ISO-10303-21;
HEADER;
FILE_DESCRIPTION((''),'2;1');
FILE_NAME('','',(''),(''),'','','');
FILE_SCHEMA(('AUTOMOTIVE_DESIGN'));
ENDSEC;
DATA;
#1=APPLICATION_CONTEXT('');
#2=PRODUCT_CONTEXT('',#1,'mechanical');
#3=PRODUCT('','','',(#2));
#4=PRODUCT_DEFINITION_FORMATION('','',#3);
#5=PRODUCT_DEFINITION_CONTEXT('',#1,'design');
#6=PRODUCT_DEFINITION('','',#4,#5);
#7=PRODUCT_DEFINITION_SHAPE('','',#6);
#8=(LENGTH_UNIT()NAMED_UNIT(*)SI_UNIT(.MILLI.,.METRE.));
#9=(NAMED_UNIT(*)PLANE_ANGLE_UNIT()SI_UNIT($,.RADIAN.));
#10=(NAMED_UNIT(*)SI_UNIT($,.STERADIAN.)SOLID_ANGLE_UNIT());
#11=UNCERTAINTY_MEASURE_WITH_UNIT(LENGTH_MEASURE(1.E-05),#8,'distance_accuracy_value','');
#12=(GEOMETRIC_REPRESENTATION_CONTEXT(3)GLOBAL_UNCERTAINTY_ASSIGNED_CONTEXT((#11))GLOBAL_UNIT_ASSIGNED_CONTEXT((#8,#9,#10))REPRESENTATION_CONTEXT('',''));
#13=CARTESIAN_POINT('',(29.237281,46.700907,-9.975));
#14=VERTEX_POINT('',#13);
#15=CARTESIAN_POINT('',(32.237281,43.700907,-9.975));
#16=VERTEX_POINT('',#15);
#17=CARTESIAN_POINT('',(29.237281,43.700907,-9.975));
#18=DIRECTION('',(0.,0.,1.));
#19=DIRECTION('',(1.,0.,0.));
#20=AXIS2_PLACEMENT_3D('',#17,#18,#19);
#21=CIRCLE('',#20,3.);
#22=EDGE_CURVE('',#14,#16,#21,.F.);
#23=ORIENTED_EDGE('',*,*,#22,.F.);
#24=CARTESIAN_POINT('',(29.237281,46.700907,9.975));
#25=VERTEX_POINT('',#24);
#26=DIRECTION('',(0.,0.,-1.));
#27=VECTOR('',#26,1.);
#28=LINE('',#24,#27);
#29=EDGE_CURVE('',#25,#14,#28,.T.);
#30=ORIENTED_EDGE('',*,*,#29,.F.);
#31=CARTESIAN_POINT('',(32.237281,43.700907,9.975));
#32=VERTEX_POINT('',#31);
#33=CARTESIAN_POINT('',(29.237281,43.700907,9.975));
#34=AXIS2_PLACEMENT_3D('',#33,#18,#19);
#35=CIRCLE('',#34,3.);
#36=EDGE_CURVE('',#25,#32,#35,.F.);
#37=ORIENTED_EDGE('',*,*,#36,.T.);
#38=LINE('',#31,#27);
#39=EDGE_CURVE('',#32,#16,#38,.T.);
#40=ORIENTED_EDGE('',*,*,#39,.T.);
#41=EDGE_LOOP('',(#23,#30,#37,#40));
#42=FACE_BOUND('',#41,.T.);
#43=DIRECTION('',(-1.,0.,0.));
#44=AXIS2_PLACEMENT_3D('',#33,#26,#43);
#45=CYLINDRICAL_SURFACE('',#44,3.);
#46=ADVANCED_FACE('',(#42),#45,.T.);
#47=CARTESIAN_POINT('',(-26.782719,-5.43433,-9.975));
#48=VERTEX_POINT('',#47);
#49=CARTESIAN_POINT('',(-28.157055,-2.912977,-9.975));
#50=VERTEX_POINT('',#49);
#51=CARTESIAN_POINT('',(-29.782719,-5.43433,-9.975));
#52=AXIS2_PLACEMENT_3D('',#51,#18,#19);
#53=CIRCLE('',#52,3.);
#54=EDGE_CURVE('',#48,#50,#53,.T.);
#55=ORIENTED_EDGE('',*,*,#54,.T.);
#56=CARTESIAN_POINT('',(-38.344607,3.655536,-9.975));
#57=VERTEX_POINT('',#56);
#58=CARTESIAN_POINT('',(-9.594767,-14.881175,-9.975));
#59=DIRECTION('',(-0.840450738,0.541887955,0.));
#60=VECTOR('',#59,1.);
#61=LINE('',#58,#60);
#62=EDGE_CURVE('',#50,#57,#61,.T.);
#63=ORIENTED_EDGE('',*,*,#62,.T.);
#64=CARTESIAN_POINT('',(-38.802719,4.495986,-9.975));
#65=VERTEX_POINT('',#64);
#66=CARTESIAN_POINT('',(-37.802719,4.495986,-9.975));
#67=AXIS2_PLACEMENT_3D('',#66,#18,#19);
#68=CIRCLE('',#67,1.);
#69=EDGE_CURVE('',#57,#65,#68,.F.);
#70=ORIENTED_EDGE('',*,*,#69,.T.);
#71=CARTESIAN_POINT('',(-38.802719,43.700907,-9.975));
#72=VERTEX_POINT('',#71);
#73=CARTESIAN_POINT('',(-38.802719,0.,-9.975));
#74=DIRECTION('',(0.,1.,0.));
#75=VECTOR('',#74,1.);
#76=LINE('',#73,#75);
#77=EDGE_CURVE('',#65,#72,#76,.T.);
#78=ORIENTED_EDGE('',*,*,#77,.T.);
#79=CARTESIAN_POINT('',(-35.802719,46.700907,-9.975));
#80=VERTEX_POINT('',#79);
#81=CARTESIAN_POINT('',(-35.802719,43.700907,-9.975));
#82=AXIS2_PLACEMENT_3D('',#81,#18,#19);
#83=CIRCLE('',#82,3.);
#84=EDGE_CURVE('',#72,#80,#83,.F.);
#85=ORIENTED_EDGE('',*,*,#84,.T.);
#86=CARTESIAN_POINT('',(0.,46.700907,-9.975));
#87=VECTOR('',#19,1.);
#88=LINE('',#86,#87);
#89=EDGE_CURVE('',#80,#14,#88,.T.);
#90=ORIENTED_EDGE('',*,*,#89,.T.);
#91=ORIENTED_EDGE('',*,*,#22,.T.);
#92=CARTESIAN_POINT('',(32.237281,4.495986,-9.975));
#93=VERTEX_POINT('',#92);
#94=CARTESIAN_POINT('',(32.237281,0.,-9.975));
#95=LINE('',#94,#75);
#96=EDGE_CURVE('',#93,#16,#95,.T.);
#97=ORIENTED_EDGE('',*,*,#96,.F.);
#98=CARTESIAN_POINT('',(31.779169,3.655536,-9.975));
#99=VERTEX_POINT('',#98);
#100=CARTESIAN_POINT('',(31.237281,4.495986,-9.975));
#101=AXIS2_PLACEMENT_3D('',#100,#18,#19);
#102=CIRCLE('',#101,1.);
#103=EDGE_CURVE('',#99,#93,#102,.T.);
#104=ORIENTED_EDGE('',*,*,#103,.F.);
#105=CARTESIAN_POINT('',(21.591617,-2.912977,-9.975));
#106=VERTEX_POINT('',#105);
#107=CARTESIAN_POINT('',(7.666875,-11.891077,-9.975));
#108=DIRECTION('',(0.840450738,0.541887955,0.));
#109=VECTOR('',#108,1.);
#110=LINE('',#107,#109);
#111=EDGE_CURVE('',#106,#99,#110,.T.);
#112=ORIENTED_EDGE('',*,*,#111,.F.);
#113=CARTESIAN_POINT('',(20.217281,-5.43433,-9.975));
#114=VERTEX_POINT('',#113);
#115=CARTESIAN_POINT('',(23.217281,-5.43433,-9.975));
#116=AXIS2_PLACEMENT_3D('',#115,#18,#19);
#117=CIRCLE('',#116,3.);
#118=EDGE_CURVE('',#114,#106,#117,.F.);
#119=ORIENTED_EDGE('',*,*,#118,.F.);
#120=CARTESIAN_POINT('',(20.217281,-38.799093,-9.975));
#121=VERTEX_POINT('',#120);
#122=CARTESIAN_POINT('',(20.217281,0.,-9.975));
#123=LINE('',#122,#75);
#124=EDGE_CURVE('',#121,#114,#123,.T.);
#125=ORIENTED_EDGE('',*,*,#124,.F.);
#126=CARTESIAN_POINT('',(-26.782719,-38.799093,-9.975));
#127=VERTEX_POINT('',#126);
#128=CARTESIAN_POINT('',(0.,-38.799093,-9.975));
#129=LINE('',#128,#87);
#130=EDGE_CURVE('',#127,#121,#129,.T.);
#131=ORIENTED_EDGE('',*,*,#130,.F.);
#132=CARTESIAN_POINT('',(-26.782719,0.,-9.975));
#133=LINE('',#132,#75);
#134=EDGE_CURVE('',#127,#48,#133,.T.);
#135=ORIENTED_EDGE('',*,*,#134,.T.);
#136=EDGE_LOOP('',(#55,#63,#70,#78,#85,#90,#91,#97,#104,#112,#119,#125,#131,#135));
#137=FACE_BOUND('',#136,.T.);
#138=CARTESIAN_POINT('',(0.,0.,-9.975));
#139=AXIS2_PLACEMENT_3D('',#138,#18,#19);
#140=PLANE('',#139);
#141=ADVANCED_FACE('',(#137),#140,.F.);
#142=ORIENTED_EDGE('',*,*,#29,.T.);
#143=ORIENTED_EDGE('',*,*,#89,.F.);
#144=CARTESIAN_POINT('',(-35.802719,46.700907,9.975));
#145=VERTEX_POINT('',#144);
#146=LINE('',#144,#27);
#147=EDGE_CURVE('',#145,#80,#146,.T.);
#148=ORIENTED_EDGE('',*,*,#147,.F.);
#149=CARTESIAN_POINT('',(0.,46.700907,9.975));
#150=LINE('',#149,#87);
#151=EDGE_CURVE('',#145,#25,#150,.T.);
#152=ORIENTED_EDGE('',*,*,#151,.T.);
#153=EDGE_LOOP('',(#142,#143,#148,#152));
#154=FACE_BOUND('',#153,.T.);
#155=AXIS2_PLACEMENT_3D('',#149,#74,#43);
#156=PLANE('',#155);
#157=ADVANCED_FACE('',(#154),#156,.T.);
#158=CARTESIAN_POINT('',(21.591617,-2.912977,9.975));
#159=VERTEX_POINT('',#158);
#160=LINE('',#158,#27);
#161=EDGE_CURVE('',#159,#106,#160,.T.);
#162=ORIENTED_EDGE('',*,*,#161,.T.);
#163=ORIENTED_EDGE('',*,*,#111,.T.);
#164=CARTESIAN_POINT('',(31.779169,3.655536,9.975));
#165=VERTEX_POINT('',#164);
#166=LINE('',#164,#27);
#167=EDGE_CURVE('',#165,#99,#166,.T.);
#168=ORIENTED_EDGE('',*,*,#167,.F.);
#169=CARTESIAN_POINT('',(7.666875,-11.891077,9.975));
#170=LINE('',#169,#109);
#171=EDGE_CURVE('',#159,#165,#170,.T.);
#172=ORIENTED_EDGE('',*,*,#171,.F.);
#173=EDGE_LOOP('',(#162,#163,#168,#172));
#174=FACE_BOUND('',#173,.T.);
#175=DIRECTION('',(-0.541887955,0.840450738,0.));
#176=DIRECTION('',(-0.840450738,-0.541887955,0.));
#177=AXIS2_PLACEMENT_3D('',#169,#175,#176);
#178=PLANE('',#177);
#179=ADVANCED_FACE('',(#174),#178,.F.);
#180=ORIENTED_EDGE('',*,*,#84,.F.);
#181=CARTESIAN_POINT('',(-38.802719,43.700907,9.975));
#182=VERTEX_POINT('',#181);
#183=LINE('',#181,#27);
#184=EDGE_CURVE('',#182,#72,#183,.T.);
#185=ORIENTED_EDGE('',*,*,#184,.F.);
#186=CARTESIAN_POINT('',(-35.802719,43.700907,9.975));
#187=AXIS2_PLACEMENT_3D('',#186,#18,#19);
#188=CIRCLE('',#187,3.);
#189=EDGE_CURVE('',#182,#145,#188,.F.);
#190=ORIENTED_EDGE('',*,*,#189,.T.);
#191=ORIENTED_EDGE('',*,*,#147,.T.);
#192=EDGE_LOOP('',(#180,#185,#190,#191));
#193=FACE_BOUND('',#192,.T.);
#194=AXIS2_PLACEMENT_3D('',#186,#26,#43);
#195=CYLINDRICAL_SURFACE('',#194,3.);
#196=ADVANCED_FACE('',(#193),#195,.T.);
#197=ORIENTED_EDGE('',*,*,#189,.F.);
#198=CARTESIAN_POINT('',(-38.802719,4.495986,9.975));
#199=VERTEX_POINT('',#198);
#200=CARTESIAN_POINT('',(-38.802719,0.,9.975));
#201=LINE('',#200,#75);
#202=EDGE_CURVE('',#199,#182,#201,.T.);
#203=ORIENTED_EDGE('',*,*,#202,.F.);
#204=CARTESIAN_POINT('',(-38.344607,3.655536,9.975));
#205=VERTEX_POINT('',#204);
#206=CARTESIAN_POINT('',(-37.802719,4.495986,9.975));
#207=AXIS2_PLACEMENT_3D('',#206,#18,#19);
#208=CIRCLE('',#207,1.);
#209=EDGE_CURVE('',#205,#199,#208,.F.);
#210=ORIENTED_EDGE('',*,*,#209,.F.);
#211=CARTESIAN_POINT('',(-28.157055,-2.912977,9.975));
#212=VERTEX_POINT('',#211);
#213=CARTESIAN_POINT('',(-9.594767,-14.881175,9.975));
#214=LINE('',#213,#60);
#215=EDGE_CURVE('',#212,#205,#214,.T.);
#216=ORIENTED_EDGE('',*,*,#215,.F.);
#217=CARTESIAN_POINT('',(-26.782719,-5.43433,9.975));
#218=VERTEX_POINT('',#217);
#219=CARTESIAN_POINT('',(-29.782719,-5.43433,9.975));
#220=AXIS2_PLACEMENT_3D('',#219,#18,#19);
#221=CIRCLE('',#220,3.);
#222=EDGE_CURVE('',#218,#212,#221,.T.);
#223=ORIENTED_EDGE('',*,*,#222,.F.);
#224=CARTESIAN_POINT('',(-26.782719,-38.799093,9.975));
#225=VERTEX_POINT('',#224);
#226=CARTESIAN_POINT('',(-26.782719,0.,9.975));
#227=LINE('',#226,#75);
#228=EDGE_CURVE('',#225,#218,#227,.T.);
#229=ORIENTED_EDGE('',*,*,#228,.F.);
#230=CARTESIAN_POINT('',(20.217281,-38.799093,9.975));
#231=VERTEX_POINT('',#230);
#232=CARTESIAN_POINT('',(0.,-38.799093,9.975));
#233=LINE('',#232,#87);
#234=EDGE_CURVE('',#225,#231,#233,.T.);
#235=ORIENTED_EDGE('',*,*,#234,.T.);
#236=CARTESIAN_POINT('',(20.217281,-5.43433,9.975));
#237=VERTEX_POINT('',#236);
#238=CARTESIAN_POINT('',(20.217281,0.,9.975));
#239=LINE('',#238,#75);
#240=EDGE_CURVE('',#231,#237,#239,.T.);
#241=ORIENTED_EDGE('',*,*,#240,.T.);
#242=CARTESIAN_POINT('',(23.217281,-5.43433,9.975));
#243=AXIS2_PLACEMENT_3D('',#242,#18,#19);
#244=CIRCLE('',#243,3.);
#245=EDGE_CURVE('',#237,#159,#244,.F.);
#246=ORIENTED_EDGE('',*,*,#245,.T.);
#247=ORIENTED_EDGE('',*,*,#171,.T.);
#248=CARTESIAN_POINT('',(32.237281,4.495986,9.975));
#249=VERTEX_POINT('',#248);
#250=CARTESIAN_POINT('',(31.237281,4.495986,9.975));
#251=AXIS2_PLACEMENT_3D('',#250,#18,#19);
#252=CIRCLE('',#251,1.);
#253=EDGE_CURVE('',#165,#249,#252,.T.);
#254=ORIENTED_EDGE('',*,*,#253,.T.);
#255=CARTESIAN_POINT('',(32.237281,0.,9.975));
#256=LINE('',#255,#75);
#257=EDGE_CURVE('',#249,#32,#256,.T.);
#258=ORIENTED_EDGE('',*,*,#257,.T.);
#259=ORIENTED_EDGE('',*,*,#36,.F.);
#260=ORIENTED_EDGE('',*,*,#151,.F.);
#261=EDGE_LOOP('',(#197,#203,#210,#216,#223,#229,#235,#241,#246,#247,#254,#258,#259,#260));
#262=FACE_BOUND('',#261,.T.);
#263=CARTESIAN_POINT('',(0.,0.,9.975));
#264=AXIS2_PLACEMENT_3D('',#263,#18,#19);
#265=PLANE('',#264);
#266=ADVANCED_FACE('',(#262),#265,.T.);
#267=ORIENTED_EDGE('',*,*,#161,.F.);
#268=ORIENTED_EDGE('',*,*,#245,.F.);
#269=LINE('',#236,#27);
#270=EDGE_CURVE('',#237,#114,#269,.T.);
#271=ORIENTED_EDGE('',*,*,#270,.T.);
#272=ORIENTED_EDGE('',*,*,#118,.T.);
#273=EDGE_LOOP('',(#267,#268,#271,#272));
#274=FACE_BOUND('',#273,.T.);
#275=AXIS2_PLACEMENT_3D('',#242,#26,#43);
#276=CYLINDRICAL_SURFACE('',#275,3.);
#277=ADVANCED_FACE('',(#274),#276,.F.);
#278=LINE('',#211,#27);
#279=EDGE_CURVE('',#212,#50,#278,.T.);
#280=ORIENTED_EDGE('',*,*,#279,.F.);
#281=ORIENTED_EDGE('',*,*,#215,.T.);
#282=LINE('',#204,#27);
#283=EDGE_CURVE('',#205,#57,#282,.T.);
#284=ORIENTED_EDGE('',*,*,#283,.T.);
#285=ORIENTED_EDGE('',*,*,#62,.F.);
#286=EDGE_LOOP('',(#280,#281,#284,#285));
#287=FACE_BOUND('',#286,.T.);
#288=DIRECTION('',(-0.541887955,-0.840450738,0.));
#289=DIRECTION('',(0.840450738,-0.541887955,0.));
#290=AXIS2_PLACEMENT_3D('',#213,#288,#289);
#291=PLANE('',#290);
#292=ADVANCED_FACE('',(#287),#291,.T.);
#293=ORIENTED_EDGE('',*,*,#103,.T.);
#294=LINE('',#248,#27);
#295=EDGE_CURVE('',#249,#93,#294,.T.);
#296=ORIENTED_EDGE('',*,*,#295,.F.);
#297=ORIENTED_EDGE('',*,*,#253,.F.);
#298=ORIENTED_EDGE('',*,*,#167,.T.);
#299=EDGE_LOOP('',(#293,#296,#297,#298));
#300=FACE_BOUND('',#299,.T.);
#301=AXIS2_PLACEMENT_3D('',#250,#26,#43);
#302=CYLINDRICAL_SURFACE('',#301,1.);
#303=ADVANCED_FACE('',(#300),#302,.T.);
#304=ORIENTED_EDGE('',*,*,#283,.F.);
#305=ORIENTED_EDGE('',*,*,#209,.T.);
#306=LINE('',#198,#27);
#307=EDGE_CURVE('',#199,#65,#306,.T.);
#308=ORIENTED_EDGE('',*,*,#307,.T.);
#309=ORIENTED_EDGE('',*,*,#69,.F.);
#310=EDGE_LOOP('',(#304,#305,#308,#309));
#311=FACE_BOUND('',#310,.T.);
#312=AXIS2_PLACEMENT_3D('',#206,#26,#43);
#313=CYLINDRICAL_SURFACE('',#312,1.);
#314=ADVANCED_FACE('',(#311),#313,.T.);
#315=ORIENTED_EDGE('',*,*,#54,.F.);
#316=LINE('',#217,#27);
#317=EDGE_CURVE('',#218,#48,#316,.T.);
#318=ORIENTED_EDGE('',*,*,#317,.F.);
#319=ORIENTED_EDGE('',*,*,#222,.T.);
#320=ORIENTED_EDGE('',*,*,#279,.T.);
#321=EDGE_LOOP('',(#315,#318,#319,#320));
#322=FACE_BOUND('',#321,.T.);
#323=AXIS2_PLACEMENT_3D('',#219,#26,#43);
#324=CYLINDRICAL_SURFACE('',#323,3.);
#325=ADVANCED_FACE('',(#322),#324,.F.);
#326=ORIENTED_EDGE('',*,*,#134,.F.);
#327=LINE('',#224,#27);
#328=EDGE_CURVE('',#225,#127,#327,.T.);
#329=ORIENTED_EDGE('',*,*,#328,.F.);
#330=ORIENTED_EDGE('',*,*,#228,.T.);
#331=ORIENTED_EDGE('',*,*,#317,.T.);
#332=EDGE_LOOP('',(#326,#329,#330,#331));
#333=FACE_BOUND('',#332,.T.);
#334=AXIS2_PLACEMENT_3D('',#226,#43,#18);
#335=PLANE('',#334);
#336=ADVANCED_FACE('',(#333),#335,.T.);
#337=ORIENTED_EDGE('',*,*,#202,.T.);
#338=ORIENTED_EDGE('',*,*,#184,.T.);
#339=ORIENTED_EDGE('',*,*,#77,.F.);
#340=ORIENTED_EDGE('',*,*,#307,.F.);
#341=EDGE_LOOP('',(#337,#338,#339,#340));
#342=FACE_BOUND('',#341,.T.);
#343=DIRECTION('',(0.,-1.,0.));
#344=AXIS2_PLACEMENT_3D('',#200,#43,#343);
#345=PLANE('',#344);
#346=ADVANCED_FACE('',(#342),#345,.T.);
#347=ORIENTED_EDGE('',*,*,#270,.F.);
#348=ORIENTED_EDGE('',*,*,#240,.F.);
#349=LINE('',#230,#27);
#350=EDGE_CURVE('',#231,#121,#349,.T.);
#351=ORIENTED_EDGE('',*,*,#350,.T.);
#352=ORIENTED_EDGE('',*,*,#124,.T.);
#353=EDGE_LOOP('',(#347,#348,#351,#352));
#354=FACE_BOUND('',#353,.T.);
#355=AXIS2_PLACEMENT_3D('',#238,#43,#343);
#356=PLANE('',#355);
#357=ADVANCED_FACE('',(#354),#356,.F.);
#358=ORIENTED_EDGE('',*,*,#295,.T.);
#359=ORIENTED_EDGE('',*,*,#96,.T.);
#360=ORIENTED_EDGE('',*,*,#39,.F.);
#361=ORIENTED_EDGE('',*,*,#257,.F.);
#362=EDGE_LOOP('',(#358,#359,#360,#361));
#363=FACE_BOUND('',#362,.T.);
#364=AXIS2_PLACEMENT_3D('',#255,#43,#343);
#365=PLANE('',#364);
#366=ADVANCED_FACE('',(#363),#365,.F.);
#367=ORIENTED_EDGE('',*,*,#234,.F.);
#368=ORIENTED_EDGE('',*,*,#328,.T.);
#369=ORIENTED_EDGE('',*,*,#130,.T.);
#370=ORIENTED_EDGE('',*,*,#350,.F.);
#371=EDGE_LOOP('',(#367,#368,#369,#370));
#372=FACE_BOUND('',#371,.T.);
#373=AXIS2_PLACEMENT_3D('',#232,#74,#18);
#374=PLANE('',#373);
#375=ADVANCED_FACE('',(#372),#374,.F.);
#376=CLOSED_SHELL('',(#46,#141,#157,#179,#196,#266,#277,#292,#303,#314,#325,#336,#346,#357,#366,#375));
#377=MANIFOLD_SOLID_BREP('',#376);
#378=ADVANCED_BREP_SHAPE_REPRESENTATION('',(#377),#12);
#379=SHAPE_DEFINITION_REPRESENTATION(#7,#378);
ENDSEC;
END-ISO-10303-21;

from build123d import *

# Parameters (mm, degrees)
BOSS_EXTRUDE1_DEPTH = 9.975


with BuildPart() as part:
    # Sketch1 → Boss-Extrude1 (new, symmetric)
    with BuildSketch(Plane.XY):
        with BuildLine():
            Line((20.217281255, -38.799092726), (20.217281255, -5.434329714))
            ThreePointArc((20.217281255, -5.434329714), (20.583178789, -3.998535787), (21.591617389, -2.912977499))
            Line((21.591617389, -2.912977499), (31.77916921, 3.655535531))
            ThreePointArc((31.77916921, 3.655535531), (32.11531541, 4.017388294), (32.237281255, 4.495986269))
            Line((32.237281255, 4.495986269), (32.237281255, 43.700907274))
            ThreePointArc((32.237281255, 43.700907274), (31.358601598, 45.822227617), (29.237281255, 46.700907274))
            Line((29.237281255, 46.700907274), (-35.802718745, 46.700907274))
            ThreePointArc((-35.802718745, 46.700907274), (-37.924039089, 45.822227617), (-38.802718745, 43.700907274))
            Line((-38.802718745, 43.700907274), (-38.802718745, 4.495986269))
            ThreePointArc((-38.802718745, 4.495986269), (-38.6807529, 4.017388294), (-38.344606701, 3.655535531))
            Line((-38.344606701, 3.655535531), (-28.157054879, -2.912977499))
            ThreePointArc((-28.157054879, -2.912977499), (-27.14861628, -3.998535787), (-26.782718745, -5.434329714))
            Line((-26.782718745, -5.434329714), (-26.782718745, -38.799092726))
            Line((-26.782718745, -38.799092726), (20.217281255, -38.799092726))
        make_face()
    extrude(amount=BOSS_EXTRUDE1_DEPTH, both=True)


solid = part.part
